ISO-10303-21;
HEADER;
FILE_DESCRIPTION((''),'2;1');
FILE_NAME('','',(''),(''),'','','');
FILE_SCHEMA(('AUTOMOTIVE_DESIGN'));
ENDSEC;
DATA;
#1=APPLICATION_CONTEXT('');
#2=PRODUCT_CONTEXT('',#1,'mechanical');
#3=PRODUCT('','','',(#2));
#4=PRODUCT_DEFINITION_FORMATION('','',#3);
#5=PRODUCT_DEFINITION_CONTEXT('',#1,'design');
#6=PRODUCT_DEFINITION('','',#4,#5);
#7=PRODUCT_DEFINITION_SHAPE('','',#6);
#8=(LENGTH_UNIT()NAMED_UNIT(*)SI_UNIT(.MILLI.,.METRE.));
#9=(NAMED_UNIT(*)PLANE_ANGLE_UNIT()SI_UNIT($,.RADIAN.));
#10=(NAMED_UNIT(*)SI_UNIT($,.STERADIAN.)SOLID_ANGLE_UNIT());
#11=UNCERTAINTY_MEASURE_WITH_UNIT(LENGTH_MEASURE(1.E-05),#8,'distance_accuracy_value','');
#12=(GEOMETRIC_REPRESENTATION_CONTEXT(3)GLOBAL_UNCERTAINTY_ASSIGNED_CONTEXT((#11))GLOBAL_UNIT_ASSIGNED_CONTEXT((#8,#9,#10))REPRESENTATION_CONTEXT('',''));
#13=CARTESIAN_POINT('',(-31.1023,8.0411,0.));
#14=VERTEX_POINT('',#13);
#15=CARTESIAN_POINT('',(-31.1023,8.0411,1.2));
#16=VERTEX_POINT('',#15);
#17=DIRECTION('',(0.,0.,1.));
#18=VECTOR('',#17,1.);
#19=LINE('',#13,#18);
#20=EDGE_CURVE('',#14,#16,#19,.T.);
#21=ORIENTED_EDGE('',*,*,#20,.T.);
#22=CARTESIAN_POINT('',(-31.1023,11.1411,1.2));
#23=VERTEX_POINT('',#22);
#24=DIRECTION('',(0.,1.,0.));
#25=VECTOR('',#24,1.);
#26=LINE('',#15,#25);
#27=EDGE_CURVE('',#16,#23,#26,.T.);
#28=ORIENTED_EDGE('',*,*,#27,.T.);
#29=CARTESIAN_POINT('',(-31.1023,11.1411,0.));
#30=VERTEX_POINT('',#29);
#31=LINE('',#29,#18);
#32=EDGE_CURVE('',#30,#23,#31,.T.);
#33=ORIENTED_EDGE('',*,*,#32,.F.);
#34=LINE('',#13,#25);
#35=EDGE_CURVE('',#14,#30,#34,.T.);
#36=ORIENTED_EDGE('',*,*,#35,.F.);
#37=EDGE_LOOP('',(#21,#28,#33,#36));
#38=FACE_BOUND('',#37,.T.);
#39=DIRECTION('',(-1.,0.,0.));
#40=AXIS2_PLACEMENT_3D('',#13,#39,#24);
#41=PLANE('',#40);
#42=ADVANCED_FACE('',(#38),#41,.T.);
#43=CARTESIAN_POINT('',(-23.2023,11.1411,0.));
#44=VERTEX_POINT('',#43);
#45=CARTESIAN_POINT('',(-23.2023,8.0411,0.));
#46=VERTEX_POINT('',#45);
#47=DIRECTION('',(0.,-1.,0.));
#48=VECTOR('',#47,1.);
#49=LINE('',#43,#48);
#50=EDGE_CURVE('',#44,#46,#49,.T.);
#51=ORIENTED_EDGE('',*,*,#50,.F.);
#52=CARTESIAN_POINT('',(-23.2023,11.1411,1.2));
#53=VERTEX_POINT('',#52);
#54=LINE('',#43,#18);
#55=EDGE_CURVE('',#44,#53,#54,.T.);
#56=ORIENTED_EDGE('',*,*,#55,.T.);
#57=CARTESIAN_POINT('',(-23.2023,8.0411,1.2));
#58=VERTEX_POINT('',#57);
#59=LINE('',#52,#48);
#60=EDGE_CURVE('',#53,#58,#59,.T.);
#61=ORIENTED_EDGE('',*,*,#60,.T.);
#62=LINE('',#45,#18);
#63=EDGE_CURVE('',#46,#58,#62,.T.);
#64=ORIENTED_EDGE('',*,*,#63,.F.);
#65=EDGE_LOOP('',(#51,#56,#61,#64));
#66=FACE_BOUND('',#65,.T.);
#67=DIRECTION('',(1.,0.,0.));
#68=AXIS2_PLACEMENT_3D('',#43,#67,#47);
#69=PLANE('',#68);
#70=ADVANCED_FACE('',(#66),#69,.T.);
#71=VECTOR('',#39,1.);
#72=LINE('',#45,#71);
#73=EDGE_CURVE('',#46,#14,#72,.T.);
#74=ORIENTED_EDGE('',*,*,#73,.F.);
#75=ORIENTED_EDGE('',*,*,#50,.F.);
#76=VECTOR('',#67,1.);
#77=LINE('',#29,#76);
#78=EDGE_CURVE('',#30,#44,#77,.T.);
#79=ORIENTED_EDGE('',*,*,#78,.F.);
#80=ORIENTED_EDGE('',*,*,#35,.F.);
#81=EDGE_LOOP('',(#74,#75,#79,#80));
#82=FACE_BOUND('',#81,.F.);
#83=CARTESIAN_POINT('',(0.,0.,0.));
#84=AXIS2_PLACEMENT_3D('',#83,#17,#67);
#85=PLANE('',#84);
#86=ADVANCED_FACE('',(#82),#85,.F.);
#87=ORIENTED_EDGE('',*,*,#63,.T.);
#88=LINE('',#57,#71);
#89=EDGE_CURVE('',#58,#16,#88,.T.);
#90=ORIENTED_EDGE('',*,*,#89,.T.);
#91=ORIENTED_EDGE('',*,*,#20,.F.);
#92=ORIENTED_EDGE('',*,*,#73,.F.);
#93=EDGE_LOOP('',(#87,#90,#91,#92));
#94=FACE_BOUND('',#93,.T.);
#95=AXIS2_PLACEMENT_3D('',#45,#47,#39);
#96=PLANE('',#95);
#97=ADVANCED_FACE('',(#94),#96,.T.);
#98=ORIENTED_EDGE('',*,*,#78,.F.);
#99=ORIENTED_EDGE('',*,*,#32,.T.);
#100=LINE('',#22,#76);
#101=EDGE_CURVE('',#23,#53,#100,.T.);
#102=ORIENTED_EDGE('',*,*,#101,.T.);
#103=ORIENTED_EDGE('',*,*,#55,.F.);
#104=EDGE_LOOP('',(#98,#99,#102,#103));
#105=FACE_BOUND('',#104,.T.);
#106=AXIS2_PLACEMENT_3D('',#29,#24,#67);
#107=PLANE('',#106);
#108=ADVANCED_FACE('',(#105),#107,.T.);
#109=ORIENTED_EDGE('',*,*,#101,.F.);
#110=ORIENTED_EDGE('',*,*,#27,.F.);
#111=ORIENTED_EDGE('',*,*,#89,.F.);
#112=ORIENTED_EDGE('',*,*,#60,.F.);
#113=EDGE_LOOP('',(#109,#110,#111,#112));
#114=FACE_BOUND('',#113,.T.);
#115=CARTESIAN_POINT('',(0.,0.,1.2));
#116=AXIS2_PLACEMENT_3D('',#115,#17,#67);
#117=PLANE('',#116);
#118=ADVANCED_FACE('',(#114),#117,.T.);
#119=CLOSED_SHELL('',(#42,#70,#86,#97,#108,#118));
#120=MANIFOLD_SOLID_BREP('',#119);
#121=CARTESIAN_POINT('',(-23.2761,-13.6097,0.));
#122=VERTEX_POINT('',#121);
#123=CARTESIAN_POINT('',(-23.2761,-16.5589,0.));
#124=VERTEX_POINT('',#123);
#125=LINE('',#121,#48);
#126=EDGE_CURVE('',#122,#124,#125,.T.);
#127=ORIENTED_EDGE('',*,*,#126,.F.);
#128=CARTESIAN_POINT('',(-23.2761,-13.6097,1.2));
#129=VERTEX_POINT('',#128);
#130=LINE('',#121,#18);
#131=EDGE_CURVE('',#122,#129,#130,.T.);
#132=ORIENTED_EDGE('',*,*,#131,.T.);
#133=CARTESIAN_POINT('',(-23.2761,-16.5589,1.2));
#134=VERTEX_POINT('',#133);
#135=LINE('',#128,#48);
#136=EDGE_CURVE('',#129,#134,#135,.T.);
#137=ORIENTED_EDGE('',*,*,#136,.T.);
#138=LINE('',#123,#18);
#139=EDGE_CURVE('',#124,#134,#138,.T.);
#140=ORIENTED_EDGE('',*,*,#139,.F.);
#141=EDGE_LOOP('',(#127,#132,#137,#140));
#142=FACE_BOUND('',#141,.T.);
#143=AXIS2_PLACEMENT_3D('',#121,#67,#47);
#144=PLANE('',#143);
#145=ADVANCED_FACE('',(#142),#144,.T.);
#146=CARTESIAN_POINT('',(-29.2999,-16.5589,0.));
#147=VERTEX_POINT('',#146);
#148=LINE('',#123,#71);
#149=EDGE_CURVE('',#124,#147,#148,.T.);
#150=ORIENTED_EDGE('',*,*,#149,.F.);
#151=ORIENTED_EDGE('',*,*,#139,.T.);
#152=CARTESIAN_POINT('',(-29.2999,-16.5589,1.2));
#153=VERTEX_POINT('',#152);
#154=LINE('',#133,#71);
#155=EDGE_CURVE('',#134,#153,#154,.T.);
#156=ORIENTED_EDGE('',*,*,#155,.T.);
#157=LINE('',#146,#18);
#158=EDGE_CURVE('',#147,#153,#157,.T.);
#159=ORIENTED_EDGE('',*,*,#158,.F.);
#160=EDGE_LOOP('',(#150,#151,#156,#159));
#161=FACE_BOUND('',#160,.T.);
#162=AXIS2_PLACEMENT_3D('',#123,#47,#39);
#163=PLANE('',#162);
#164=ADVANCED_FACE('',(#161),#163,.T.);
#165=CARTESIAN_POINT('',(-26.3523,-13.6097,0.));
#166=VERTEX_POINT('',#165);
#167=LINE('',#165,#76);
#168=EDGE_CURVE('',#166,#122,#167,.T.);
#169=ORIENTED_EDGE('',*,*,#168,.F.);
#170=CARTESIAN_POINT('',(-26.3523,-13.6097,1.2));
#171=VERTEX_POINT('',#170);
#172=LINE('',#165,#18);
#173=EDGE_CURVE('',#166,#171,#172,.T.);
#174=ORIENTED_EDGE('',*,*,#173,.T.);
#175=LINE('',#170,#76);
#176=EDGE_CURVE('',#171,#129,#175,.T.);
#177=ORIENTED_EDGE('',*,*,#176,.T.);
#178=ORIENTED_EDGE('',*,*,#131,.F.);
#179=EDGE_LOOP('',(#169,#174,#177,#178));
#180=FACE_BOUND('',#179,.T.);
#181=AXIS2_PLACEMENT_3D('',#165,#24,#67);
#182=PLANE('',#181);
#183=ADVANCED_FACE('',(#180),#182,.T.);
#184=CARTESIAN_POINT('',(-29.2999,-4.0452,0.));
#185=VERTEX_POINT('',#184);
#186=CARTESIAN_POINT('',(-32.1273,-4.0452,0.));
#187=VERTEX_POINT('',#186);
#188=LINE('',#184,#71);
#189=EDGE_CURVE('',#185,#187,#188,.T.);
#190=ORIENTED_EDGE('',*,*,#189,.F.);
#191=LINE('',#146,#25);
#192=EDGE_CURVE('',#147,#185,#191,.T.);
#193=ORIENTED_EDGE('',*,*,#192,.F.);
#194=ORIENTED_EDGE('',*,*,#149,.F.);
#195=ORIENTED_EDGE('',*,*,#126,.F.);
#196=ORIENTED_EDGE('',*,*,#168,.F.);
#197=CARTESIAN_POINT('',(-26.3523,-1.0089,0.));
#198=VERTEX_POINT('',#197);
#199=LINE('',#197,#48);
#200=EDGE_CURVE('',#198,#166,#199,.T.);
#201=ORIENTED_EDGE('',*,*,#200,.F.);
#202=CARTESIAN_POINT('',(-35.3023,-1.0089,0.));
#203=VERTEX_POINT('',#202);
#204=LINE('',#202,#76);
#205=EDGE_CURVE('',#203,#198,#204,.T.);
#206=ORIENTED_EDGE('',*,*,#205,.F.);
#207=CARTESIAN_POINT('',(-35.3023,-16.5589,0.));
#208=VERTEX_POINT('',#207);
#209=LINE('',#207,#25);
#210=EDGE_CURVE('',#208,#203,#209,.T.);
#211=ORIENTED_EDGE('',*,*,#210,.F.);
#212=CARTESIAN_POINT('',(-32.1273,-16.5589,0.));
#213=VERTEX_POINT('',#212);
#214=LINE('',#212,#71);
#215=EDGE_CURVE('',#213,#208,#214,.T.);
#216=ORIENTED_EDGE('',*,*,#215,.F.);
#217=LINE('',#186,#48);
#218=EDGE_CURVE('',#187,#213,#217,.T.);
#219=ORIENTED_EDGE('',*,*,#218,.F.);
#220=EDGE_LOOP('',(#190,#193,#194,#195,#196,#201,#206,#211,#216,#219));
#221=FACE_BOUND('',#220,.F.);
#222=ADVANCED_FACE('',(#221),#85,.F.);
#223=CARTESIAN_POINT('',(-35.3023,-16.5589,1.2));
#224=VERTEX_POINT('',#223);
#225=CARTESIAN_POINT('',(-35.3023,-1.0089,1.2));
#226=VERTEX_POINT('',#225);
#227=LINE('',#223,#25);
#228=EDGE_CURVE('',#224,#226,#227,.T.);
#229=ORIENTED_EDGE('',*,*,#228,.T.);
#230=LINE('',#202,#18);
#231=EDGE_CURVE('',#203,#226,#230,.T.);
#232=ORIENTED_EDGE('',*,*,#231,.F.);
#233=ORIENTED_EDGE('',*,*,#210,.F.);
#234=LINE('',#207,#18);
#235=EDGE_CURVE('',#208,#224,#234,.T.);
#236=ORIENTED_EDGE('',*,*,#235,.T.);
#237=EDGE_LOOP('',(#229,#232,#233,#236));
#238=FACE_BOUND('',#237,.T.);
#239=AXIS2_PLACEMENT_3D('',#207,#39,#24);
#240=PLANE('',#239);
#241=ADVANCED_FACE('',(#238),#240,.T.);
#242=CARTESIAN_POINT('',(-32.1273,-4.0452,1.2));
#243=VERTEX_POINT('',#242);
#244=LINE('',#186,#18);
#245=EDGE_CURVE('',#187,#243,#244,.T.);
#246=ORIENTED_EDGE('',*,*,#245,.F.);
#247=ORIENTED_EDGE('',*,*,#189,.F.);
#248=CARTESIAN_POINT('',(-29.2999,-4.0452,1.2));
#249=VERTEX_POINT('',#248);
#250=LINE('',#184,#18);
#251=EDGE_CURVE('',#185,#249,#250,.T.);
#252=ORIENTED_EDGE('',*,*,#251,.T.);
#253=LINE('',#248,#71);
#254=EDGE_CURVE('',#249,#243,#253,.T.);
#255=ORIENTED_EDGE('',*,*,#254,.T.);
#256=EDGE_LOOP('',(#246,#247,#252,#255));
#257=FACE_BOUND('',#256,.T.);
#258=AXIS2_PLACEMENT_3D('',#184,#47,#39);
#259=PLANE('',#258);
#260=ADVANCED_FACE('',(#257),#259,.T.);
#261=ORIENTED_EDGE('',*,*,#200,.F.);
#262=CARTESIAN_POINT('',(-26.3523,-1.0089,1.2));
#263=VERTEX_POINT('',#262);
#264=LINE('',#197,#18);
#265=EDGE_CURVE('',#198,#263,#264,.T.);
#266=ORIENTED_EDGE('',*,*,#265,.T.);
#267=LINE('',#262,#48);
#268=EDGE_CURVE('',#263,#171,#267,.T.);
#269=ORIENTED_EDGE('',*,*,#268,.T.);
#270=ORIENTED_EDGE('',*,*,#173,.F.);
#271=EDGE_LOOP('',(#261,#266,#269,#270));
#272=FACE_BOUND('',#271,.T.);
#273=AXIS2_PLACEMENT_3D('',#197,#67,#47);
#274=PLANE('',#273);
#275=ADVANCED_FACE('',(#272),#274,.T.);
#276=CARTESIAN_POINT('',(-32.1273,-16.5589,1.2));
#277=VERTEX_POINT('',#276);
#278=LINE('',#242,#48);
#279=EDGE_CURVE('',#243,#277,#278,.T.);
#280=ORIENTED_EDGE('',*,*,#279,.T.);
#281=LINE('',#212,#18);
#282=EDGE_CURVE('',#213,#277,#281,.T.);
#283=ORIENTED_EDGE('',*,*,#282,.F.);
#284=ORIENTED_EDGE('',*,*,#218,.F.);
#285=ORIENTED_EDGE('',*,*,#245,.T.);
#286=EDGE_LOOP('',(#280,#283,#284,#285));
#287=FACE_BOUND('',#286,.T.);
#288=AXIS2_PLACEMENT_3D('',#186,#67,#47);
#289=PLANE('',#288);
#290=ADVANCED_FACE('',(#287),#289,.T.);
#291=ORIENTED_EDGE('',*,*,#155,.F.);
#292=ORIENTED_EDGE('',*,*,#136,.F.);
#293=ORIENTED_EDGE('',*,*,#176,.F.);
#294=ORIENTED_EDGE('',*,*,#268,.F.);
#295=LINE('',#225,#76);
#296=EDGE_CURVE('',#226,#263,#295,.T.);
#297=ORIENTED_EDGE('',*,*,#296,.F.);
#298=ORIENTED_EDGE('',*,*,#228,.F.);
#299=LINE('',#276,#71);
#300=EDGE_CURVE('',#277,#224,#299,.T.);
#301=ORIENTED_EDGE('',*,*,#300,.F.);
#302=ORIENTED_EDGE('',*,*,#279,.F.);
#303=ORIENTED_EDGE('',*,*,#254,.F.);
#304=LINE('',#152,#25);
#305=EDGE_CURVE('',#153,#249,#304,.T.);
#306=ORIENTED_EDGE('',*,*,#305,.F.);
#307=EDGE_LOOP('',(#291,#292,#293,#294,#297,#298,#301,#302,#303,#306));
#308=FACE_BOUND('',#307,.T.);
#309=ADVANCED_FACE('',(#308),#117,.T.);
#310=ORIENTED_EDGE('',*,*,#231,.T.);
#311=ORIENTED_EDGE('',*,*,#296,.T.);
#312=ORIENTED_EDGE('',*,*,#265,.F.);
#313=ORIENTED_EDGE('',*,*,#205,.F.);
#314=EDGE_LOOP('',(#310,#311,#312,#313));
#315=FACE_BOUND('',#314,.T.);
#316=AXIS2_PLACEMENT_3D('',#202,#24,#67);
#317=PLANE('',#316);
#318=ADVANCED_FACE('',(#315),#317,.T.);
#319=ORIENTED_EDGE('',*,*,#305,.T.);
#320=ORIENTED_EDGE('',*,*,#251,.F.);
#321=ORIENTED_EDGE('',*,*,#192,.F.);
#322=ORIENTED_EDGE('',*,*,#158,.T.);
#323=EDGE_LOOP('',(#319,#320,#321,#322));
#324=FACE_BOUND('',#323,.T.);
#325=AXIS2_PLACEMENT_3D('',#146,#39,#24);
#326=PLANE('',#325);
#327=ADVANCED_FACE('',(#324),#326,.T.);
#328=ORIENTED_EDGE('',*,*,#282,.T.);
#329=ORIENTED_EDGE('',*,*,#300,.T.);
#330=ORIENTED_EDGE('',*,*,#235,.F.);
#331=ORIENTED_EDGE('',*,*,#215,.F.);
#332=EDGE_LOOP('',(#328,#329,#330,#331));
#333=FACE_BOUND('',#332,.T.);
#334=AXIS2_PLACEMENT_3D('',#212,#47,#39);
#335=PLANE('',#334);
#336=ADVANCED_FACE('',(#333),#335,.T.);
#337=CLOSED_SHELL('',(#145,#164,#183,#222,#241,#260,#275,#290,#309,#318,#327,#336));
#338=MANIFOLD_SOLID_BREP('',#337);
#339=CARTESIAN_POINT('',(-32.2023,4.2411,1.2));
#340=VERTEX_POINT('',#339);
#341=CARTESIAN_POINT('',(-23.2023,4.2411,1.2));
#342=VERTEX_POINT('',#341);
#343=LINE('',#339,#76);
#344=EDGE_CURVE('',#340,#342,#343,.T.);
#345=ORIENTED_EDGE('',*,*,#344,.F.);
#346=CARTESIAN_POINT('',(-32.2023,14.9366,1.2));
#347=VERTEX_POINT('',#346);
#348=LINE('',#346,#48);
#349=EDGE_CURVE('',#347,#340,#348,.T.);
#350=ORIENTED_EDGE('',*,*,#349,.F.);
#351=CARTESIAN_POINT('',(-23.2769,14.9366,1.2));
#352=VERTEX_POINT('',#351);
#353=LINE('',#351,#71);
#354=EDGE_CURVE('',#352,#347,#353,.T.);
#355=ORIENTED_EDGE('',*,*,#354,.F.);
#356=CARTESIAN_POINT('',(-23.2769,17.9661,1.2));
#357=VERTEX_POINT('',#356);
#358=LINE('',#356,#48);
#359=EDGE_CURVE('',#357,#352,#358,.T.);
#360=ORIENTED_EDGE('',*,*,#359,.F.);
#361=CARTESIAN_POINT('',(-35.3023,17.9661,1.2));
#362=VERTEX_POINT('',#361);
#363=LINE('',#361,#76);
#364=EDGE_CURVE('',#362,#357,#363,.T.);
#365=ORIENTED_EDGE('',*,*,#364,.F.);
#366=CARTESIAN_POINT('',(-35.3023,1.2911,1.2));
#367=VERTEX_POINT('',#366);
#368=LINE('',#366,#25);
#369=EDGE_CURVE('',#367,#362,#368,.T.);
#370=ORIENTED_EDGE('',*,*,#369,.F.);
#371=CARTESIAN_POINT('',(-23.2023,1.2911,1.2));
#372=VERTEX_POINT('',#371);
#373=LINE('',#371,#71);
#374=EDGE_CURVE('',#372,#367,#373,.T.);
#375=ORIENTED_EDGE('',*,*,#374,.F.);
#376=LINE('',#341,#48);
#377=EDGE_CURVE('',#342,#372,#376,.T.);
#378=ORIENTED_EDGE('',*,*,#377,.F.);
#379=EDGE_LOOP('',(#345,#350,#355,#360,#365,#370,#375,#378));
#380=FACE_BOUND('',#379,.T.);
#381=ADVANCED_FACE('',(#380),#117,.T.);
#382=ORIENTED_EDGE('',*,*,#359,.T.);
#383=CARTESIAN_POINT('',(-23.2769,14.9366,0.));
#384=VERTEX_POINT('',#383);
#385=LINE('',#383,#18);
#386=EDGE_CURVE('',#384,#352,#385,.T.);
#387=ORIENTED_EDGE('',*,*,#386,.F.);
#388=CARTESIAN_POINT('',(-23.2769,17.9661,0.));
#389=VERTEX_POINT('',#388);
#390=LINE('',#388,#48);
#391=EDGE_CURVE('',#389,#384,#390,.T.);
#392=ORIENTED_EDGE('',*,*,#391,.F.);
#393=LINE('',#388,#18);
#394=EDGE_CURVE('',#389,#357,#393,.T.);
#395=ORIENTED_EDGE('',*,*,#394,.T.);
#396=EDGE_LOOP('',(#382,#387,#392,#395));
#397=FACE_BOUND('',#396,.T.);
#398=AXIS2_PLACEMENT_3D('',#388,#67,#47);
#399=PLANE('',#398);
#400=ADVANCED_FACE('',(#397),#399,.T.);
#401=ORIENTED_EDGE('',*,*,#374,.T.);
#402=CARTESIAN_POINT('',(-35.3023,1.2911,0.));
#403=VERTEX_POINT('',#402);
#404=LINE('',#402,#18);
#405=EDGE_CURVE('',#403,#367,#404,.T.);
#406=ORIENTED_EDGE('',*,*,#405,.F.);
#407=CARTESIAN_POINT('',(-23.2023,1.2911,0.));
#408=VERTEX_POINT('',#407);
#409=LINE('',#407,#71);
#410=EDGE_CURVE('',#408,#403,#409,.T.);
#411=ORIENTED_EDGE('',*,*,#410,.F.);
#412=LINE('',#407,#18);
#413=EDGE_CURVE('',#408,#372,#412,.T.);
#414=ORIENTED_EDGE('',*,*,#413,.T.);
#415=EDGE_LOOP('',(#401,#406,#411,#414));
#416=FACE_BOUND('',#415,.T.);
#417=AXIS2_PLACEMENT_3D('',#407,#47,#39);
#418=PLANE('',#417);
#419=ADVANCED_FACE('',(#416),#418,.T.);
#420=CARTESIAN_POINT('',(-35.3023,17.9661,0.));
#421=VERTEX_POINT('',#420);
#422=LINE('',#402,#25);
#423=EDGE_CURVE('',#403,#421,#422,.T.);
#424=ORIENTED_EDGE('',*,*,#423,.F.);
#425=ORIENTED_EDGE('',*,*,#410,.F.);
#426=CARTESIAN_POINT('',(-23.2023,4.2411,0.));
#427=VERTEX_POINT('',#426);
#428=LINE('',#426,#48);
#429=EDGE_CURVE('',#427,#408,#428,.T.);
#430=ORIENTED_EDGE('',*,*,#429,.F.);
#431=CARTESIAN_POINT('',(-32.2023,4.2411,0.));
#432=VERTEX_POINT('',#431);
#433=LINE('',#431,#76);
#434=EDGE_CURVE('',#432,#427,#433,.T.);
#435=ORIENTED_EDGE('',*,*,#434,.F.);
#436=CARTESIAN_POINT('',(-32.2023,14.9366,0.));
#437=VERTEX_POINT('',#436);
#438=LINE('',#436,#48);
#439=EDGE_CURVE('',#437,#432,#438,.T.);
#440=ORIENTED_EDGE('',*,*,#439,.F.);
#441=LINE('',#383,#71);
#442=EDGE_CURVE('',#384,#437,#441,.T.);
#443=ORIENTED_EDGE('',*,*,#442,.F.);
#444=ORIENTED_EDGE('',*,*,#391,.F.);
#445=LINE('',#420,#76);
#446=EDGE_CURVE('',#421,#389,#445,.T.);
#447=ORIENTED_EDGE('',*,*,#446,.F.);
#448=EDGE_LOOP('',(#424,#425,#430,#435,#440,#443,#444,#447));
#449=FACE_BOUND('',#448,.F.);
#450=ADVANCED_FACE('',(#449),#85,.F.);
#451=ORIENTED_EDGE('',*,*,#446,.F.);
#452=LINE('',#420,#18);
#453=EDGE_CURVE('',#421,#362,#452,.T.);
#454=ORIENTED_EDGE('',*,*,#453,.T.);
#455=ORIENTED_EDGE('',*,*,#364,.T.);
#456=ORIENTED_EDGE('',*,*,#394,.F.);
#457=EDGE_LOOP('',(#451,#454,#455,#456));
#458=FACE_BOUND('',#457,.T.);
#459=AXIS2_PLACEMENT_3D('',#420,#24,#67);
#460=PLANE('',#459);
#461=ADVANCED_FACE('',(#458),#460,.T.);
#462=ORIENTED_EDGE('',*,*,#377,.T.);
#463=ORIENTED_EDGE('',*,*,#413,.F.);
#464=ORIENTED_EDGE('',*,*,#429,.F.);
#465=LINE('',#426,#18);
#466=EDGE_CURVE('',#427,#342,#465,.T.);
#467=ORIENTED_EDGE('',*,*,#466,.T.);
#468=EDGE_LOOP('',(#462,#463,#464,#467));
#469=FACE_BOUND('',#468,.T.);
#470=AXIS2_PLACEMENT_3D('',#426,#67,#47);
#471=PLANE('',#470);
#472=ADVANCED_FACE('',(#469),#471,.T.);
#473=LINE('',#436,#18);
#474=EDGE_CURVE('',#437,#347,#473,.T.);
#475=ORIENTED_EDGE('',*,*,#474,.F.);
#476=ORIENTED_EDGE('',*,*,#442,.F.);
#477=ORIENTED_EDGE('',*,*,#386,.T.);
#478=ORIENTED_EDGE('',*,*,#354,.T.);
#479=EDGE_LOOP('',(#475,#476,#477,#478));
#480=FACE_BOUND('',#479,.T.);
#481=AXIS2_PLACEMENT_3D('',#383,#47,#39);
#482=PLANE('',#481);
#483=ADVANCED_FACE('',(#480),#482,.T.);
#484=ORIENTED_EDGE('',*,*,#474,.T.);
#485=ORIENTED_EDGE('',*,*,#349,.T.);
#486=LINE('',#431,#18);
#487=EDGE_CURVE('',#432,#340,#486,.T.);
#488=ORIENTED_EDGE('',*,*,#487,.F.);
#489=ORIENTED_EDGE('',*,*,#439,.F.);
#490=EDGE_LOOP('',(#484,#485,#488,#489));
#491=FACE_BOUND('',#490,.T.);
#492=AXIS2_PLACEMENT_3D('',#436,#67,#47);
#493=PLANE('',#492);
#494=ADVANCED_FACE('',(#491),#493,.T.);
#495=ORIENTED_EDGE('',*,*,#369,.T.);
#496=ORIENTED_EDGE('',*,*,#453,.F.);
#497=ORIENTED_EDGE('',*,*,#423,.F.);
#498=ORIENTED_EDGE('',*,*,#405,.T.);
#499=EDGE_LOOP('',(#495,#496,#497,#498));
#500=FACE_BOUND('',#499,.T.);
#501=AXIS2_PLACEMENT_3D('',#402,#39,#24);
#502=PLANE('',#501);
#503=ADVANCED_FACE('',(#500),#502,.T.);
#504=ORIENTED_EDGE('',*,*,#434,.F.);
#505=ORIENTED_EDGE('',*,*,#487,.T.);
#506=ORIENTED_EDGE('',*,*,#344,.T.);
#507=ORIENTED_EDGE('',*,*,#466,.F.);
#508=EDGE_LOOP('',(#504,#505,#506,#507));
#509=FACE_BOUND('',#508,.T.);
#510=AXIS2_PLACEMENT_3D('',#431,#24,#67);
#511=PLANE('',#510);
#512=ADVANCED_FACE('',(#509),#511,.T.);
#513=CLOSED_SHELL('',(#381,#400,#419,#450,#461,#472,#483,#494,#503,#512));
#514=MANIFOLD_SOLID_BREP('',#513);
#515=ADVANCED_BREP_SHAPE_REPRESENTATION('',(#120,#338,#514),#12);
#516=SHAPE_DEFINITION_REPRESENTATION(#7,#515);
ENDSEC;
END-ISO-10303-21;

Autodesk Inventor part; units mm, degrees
ref_plane "YZ Plane" through (0, 0, 0) normal (1, 0, 0) x (0, 1, 0)
ref_plane "XZ Plane" through (0, 0, 0) normal (0, 1, 0) x (-1, 0, 0)
ref_plane "XY Plane" through (0, 0, 0) normal (0, 0, 1) x (1, 0, 0)
sketch "Sketch1" plane through (0, 0, 0) normal (0, 0, 1) x (1, 0, 0)
  line L0 (-26.5523, -13.8097) -> (-23.4761, -13.8097) construction
  line L1 (-26.5523, -1.2089) -> (-26.5523, -13.8097) construction
  line L2 (-35.1023, -1.2089) -> (-26.5523, -1.2089) construction
  line L3 (-35.1023, -16.3589) -> (-35.1023, -1.2089) construction
  line L4 (-32.3273, -16.3589) -> (-35.1023, -16.3589) construction
  line L5 (-32.3273, -3.8452) -> (-32.3273, -16.3589) construction
  line L6 (-29.0999, -3.8452) -> (-32.3273, -3.8452) construction
  line L7 (-29.0999, -16.3589) -> (-29.0999, -3.8452) construction
  line L8 (-23.4761, -16.3589) -> (-29.0999, -16.3589) construction
  line L9 (-23.4761, -13.8097) -> (-23.4761, -16.3589) construction
  line L10 (-32.4023, 4.0411) -> (-23.4023, 4.0411) construction
  line L11 (-32.4023, 15.1366) -> (-32.4023, 4.0411) construction
  line L12 (-23.4769, 15.1366) -> (-32.4023, 15.1366) construction
  line L13 (-23.4769, 17.7661) -> (-23.4769, 15.1366) construction
  line L14 (-35.1023, 17.7661) -> (-23.4769, 17.7661) construction
  line L15 (-35.1023, 1.4911) -> (-35.1023, 17.7661) construction
  line L16 (-23.4023, 1.4911) -> (-35.1023, 1.4911) construction
  line L17 (-23.4023, 4.0411) -> (-23.4023, 1.4911) construction
  line L18 (-30.9023, 8.2411) -> (-30.9023, 10.9411) construction
  line L19 (-23.4023, 8.2411) -> (-30.9023, 8.2411) construction
  line L20 (-23.4023, 10.9411) -> (-23.4023, 8.2411) construction
  line L21 (-30.9023, 10.9411) -> (-23.4023, 10.9411) construction
  line L22 (-23.2769, 17.9661) -> (-23.2769, 14.9366)
  line L23 (-23.2769, 14.9366) -> (-32.2023, 14.9366)
  line L24 (-32.2023, 14.9366) -> (-32.2023, 4.2411)
  line L25 (-32.2023, 4.2411) -> (-23.2023, 4.2411)
  line L26 (-23.2023, 4.2411) -> (-23.2023, 1.2911)
  line L27 (-23.2023, 1.2911) -> (-35.3023, 1.2911)
  line L28 (-35.3023, 1.2911) -> (-35.3023, 17.9661)
  line L29 (-35.3023, 17.9661) -> (-23.2769, 17.9661)
  line L30 (-23.2023, 11.1411) -> (-23.2023, 8.0411)
  line L31 (-23.2023, 8.0411) -> (-31.1023, 8.0411)
  line L32 (-31.1023, 8.0411) -> (-31.1023, 11.1411)
  line L33 (-31.1023, 11.1411) -> (-23.2023, 11.1411)
  line L34 (-29.2999, -4.0452) -> (-32.1273, -4.0452)
  line L35 (-32.1273, -4.0452) -> (-32.1273, -16.5589)
  line L36 (-32.1273, -16.5589) -> (-35.3023, -16.5589)
  line L37 (-35.3023, -16.5589) -> (-35.3023, -1.0089)
  line L38 (-35.3023, -1.0089) -> (-26.3523, -1.0089)
  line L39 (-26.3523, -1.0089) -> (-26.3523, -13.6097)
  line L40 (-26.3523, -13.6097) -> (-23.2761, -13.6097)
  line L41 (-23.2761, -13.6097) -> (-23.2761, -16.5589)
  line L42 (-23.2761, -16.5589) -> (-29.2999, -16.5589)
  line L43 (-29.2999, -16.5589) -> (-29.2999, -4.0452)
  point P0 (0, 0)
  dimension "d2" = 0.2
  dimension "d3" = 0.2
  dimension "d4" = 0.2
extrude "Extrusion1" add sketch "Sketch1" along normal blind 1.2
properties part number "ROBOILO LOGO"
